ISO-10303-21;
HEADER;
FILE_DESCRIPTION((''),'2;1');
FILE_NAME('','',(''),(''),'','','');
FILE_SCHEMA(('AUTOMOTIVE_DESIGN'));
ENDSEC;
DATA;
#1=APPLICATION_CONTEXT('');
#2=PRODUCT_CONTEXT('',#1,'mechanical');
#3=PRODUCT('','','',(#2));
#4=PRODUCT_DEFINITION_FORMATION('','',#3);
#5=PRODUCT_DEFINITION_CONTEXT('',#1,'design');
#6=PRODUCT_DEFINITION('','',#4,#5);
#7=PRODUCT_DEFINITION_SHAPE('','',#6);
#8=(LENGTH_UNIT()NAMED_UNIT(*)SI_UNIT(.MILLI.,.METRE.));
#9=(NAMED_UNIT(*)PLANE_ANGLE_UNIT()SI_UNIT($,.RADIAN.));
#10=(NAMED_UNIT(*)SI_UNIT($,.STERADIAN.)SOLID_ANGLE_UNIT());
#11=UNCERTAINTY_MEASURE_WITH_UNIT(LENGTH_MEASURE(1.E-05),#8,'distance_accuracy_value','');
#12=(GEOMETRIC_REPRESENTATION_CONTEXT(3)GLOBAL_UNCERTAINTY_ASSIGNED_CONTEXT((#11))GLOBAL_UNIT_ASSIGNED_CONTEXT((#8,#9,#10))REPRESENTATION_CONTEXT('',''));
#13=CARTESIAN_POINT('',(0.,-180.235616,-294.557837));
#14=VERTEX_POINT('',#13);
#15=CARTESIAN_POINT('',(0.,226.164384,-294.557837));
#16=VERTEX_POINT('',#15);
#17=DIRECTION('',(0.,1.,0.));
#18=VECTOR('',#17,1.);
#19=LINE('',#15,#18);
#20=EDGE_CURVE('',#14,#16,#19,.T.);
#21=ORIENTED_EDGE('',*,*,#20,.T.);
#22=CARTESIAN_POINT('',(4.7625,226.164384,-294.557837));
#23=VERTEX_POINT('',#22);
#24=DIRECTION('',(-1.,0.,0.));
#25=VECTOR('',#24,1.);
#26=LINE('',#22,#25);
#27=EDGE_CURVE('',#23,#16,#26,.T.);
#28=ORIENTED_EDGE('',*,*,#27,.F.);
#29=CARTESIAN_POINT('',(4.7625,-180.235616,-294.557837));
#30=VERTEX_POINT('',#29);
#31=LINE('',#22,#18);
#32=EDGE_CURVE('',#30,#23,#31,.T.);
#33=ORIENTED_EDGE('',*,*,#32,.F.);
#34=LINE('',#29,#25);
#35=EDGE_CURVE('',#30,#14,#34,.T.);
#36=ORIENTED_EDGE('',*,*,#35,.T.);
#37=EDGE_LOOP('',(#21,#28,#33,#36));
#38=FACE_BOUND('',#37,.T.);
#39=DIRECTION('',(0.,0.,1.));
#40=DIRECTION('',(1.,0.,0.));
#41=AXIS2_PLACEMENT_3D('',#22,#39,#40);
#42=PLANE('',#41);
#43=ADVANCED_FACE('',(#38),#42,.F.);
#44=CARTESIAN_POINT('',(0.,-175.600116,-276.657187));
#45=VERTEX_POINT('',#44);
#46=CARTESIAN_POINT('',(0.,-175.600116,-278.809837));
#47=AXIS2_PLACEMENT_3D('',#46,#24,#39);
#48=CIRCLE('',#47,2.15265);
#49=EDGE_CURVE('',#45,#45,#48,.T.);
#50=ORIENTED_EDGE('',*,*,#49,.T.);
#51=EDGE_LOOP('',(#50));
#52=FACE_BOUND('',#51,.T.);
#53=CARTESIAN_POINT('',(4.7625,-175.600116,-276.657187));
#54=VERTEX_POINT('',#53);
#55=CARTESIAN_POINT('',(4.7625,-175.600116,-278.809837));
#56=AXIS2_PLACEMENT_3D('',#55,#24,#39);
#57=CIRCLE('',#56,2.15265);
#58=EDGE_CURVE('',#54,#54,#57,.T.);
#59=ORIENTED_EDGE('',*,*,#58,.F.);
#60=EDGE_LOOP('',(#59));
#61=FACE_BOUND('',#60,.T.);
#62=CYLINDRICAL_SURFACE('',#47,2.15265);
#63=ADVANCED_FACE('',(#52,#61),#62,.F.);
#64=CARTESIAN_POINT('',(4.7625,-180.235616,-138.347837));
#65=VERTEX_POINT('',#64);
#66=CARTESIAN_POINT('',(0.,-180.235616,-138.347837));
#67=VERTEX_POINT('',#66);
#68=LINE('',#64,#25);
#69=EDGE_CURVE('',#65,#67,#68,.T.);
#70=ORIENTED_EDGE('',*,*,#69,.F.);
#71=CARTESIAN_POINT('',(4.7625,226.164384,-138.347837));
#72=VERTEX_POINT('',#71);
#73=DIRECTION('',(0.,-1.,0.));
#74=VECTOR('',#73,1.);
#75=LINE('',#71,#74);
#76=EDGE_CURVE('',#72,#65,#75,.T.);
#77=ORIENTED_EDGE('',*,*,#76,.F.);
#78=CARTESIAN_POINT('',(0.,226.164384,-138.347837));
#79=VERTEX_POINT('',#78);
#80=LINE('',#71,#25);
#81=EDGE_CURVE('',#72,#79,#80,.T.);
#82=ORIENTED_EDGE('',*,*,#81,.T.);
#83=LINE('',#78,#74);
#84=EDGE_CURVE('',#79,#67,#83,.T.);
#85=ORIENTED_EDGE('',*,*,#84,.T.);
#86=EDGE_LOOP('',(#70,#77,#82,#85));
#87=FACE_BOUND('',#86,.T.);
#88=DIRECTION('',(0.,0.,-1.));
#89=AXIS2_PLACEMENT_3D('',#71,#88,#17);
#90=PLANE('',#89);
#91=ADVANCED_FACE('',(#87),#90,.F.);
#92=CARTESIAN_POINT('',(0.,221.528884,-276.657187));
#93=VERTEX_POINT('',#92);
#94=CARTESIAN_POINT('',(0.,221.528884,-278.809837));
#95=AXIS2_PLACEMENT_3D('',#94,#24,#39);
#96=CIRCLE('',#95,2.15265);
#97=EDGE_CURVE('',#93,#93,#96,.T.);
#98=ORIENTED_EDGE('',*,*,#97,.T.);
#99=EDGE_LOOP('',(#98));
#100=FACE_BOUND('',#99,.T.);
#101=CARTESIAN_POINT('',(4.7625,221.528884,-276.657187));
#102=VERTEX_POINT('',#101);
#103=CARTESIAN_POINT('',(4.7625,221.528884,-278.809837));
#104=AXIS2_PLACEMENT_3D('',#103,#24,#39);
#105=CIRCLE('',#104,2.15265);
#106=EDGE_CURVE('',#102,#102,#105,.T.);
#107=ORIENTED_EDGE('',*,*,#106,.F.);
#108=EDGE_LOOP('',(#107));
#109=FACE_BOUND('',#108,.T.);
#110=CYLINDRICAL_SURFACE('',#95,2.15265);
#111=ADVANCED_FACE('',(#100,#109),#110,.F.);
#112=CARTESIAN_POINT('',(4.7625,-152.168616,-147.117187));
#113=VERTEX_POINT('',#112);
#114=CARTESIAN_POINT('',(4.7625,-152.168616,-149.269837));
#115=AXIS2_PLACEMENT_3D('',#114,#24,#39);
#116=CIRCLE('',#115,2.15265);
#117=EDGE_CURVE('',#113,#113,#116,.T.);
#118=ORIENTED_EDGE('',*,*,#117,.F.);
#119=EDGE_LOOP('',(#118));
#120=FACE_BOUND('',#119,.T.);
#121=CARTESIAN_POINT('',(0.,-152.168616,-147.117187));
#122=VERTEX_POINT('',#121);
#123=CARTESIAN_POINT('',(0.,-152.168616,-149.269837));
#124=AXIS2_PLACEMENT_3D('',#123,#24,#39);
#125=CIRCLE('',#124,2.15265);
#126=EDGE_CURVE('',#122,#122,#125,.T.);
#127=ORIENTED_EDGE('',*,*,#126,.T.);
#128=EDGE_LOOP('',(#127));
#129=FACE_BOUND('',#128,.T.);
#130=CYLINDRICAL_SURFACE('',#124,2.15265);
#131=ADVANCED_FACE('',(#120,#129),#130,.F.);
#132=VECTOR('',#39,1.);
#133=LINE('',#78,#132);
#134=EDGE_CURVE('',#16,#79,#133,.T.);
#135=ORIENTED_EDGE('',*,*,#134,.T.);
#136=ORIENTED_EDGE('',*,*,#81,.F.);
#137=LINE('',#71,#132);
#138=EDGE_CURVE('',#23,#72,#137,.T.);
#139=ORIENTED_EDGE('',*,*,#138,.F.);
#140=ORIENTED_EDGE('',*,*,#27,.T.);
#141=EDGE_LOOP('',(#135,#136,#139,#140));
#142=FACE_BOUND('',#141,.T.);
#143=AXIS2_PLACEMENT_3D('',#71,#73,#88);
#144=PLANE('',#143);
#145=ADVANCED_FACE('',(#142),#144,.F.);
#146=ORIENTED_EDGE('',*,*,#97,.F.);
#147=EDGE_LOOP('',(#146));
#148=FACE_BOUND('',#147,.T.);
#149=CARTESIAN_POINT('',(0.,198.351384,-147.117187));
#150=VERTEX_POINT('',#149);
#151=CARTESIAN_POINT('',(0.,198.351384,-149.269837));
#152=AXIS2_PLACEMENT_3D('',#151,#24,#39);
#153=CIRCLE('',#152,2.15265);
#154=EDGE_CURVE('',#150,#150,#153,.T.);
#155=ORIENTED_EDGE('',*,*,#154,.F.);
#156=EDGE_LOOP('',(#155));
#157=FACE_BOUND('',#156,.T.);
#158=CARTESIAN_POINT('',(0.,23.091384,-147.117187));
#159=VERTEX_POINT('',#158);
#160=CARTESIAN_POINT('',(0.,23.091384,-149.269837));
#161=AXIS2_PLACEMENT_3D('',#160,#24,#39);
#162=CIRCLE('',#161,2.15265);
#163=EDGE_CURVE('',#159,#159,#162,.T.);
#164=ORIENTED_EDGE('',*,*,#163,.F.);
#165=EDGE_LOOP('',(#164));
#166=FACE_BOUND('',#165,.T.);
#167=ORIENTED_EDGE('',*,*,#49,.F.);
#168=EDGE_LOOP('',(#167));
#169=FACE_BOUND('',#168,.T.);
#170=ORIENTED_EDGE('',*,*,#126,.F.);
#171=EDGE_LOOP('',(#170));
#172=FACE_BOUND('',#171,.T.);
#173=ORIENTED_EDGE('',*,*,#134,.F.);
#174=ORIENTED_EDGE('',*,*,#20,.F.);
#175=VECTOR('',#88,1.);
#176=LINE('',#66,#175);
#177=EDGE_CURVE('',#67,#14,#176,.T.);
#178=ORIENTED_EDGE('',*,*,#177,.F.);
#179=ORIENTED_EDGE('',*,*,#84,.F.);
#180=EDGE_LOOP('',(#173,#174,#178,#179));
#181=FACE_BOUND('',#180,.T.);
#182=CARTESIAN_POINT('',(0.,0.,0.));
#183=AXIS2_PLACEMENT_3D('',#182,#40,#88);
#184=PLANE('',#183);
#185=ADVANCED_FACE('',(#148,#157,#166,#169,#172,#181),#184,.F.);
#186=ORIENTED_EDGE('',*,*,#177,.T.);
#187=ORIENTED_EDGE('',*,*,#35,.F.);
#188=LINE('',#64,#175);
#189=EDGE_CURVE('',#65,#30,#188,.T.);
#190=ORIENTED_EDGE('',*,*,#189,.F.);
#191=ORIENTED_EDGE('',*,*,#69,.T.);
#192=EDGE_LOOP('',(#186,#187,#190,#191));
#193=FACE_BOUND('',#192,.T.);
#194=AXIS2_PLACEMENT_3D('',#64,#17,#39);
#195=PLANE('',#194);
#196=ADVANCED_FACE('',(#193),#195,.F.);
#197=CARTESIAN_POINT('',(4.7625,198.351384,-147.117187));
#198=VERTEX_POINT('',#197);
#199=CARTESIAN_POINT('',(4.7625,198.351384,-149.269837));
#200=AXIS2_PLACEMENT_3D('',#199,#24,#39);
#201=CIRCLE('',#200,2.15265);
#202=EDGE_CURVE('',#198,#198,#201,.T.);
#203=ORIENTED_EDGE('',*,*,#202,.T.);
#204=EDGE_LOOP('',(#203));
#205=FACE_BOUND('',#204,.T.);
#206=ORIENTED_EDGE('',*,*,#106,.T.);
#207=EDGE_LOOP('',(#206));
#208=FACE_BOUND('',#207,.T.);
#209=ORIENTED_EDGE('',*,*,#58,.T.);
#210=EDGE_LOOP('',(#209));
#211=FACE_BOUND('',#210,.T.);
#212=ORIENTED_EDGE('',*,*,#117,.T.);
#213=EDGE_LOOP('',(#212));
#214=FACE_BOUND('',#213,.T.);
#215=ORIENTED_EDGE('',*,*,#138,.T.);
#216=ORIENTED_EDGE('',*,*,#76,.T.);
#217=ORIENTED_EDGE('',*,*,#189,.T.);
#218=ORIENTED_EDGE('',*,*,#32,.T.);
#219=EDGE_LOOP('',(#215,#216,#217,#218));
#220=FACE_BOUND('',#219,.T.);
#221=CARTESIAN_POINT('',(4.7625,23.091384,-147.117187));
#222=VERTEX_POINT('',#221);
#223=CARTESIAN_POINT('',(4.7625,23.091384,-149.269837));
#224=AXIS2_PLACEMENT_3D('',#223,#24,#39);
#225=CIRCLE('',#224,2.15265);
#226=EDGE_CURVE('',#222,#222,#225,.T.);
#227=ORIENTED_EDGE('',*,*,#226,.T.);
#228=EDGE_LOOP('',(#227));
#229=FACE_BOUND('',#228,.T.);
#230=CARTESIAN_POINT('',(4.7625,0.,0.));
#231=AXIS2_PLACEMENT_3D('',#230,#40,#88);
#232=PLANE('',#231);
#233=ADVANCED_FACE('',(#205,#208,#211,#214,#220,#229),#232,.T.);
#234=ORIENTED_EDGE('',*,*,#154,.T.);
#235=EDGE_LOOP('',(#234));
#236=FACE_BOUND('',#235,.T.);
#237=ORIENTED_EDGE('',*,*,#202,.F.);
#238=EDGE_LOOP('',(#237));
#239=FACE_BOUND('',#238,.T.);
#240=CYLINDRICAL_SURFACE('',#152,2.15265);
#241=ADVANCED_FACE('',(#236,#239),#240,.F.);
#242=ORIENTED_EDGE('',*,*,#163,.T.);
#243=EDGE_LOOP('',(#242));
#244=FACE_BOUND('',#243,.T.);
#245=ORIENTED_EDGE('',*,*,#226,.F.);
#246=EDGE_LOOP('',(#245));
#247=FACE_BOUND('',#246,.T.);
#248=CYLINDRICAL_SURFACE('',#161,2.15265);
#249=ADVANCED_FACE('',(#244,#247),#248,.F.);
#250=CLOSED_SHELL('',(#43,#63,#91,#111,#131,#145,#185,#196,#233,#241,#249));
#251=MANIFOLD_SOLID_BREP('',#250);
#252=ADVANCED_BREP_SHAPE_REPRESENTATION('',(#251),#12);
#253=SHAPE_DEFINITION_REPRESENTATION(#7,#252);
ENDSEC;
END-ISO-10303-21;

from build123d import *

# Parameters (mm, degrees)
SKETCH1_W             = 156.21
SKETCH1_H             = 406.4
BOSS_EXTRUDE1_DEPTH   = 4.7625
F_8_CLEARANCE_HOLE1_D = 4.3053


with BuildPart() as part:
    # Sketch1 → Boss-Extrude1 (new body)
    with BuildSketch(Plane(origin=(0, 0, 0), x_dir=(0, 0, -1), z_dir=(1, 0, 0))):
        with Locations((216.4528366, 22.964383562)):
            Rectangle(SKETCH1_W, SKETCH1_H)
    extrude(amount=BOSS_EXTRUDE1_DEPTH)

    # #8 Clearance Hole1 (through all)
    with Locations(Plane.ZY):
        with Locations((-149.2698366, 198.351383562), (-149.2698366, -152.168616438), (-149.2698366, 23.091383562), (-278.8098366, 221.528883562), (-278.8098366, -175.600116438)):
            Hole(F_8_CLEARANCE_HOLE1_D / 2)


solid = part.part
